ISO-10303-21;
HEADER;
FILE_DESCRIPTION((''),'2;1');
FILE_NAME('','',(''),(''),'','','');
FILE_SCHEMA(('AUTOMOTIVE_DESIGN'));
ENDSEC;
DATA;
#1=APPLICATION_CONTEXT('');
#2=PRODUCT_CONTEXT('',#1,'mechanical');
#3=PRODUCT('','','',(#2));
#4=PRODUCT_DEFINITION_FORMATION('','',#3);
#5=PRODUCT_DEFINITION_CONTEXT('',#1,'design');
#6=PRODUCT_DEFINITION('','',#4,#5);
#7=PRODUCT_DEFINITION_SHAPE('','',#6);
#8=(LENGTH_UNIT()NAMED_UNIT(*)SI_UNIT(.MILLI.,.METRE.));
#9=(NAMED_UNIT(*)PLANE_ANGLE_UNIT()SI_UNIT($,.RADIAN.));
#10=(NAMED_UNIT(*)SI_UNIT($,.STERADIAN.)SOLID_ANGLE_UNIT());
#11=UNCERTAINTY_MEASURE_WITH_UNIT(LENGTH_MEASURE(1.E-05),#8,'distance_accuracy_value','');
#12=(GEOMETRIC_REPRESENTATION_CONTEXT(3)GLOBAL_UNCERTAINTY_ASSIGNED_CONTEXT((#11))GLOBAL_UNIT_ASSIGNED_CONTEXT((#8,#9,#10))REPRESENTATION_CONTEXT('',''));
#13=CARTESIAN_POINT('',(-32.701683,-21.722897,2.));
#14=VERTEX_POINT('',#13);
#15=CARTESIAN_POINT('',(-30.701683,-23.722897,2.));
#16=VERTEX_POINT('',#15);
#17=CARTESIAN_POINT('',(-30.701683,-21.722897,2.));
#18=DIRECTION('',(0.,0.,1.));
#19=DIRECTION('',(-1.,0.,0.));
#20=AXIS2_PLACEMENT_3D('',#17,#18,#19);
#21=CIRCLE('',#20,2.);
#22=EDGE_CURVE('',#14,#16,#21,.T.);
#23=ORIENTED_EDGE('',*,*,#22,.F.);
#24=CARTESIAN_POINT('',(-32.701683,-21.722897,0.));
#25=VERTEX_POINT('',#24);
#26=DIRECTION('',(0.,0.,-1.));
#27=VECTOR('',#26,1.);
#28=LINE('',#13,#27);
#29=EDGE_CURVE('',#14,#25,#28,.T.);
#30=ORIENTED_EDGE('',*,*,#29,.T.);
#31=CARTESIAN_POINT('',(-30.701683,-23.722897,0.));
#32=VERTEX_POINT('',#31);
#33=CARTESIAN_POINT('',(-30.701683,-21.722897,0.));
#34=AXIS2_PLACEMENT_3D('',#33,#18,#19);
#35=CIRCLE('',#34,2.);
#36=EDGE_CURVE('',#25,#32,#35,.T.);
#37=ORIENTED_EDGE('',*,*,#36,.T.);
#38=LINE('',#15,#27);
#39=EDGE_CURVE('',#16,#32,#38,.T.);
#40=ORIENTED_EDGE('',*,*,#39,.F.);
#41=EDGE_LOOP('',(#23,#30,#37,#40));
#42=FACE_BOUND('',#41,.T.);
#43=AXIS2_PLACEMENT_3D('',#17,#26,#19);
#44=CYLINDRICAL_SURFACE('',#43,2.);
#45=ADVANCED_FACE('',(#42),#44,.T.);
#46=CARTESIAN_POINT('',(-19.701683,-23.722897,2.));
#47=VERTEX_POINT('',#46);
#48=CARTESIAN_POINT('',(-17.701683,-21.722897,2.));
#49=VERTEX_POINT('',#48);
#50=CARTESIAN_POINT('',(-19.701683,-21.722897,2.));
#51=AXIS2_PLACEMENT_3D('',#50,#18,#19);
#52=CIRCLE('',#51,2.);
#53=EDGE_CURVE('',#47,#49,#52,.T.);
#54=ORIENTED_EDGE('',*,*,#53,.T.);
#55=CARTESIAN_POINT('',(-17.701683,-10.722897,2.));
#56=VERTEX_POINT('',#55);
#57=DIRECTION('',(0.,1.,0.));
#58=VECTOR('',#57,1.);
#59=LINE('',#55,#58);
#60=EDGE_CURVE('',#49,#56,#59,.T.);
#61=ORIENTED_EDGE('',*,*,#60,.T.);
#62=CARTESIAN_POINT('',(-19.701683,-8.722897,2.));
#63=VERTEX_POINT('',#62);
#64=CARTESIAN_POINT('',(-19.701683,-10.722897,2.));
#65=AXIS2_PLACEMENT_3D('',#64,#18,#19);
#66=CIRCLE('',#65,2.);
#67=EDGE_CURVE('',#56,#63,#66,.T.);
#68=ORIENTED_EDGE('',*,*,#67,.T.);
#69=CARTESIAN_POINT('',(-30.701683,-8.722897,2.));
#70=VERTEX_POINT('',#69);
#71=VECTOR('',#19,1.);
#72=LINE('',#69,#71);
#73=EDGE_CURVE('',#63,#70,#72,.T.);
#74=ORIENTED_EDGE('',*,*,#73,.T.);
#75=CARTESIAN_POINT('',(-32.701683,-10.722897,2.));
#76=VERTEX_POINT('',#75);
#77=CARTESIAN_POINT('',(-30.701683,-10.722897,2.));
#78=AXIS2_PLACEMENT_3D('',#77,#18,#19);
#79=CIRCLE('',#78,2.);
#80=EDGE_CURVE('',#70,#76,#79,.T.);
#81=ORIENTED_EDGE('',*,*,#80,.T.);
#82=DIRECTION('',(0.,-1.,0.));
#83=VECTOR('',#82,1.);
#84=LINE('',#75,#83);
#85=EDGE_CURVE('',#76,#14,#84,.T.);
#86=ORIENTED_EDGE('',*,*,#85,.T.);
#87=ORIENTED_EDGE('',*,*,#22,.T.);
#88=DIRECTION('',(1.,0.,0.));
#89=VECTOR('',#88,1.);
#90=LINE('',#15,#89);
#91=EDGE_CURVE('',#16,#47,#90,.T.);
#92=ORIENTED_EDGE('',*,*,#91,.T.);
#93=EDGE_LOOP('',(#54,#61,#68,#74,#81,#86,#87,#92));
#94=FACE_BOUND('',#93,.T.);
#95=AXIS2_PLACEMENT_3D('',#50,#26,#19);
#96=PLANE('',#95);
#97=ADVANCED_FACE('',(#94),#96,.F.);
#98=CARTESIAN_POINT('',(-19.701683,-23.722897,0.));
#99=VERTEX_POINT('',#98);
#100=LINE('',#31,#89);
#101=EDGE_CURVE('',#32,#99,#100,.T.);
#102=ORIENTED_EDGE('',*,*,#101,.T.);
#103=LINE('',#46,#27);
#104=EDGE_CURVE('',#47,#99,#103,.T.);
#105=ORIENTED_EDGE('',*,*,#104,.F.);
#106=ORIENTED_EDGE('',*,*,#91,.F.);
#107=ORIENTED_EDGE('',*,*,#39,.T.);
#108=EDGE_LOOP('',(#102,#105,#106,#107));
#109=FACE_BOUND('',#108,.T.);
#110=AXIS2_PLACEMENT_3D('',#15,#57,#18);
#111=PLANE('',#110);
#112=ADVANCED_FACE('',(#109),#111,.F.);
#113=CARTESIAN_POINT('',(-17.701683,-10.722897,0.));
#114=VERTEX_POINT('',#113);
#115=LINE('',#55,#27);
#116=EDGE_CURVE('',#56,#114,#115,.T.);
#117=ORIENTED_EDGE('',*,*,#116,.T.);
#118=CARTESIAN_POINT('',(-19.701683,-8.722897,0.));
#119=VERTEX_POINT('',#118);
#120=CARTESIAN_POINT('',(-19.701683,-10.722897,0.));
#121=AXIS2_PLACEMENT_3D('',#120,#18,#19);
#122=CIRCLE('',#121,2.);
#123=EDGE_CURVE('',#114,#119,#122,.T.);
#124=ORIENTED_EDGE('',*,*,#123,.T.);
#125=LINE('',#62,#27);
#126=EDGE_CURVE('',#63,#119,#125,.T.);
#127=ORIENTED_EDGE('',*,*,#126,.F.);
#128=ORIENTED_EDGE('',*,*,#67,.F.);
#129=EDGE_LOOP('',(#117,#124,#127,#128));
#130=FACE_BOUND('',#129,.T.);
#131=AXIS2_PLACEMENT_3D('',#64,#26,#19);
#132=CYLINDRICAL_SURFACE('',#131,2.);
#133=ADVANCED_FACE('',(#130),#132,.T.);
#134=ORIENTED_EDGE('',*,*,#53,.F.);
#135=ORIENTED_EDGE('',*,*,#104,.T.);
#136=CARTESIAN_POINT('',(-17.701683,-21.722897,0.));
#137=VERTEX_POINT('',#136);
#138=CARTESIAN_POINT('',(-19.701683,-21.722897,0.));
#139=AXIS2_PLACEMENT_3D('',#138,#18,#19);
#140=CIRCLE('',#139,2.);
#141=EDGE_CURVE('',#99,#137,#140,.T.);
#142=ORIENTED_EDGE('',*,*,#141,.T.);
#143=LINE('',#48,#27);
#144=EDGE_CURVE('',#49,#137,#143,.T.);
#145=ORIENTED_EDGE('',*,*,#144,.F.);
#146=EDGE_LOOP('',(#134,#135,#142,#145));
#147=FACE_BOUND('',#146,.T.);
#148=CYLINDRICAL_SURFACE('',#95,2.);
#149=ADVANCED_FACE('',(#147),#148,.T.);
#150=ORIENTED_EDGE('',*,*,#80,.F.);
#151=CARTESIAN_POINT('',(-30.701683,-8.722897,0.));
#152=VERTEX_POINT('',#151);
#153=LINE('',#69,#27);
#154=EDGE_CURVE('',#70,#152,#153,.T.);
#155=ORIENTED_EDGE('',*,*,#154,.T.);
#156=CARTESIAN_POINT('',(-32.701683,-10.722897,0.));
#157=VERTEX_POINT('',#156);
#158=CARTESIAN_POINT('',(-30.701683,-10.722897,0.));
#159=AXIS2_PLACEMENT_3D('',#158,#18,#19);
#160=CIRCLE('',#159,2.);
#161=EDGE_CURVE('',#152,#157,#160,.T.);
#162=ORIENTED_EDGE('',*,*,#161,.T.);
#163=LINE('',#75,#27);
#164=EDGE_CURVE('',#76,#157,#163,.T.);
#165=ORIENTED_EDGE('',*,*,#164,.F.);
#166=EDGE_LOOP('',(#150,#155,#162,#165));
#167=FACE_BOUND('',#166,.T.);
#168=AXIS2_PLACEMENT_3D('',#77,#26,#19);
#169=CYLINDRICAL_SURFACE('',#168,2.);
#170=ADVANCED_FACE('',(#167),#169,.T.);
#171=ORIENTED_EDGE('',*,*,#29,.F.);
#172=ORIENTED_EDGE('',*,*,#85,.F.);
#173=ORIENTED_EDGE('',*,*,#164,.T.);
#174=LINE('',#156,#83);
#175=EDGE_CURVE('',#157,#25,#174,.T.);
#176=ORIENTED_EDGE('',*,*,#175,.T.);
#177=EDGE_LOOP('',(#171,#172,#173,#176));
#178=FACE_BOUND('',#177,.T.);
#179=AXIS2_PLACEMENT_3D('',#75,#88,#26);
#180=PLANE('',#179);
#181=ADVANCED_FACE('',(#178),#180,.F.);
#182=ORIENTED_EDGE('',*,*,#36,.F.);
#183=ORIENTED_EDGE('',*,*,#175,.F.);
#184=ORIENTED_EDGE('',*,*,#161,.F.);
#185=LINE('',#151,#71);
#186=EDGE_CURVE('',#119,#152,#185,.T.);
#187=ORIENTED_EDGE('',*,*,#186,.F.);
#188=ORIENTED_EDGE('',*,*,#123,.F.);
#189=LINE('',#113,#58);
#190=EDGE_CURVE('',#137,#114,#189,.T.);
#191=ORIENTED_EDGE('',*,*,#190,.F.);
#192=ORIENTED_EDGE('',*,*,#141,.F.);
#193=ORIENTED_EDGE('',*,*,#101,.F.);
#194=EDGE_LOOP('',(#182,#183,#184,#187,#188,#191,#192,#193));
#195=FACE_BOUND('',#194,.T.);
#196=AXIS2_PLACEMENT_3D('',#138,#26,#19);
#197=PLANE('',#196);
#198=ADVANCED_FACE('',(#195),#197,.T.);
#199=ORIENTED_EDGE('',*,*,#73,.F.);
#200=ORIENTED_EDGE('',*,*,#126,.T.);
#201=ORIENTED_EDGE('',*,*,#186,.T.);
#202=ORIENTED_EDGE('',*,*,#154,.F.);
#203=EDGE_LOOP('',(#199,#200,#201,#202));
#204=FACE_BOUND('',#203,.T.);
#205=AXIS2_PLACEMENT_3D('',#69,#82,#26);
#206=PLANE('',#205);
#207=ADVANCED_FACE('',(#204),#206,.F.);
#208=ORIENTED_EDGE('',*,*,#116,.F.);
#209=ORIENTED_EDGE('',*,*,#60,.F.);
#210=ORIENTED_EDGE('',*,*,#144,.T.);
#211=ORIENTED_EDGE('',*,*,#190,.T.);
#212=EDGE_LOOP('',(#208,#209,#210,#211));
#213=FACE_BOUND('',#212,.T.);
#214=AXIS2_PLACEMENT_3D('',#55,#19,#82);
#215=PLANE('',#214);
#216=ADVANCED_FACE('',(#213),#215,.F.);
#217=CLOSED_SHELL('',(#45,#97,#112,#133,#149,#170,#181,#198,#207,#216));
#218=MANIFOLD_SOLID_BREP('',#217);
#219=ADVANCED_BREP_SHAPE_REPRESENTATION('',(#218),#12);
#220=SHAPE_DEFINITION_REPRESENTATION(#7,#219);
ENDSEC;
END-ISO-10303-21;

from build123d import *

# Parameters (mm, degrees)
EXTRUDE_1_DEPTH = 2


with BuildPart() as part:
    # 草图1 → 凸台-拉伸1 (new body)
    with BuildSketch(Plane.XY):
        with BuildLine():
            Line((-30.701683105, -8.722897281), (-19.701683105, -8.722897281))
            ThreePointArc((-19.701683105, -8.722897281), (-18.287469543, -9.308683719), (-17.701683105, -10.722897281))
            Line((-17.701683105, -10.722897281), (-17.701683105, -21.722897281))
            ThreePointArc((-17.701683105, -21.722897281), (-18.287469543, -23.137110844), (-19.701683105, -23.722897281))
            Line((-19.701683105, -23.722897281), (-30.701683105, -23.722897281))
            ThreePointArc((-30.701683105, -23.722897281), (-32.115896667, -23.137110844), (-32.701683105, -21.722897281))
            Line((-32.701683105, -21.722897281), (-32.701683105, -10.722897281))
            ThreePointArc((-32.701683105, -10.722897281), (-32.115896667, -9.308683719), (-30.701683105, -8.722897281))
        make_face()
    extrude(amount=EXTRUDE_1_DEPTH)


solid = part.part
